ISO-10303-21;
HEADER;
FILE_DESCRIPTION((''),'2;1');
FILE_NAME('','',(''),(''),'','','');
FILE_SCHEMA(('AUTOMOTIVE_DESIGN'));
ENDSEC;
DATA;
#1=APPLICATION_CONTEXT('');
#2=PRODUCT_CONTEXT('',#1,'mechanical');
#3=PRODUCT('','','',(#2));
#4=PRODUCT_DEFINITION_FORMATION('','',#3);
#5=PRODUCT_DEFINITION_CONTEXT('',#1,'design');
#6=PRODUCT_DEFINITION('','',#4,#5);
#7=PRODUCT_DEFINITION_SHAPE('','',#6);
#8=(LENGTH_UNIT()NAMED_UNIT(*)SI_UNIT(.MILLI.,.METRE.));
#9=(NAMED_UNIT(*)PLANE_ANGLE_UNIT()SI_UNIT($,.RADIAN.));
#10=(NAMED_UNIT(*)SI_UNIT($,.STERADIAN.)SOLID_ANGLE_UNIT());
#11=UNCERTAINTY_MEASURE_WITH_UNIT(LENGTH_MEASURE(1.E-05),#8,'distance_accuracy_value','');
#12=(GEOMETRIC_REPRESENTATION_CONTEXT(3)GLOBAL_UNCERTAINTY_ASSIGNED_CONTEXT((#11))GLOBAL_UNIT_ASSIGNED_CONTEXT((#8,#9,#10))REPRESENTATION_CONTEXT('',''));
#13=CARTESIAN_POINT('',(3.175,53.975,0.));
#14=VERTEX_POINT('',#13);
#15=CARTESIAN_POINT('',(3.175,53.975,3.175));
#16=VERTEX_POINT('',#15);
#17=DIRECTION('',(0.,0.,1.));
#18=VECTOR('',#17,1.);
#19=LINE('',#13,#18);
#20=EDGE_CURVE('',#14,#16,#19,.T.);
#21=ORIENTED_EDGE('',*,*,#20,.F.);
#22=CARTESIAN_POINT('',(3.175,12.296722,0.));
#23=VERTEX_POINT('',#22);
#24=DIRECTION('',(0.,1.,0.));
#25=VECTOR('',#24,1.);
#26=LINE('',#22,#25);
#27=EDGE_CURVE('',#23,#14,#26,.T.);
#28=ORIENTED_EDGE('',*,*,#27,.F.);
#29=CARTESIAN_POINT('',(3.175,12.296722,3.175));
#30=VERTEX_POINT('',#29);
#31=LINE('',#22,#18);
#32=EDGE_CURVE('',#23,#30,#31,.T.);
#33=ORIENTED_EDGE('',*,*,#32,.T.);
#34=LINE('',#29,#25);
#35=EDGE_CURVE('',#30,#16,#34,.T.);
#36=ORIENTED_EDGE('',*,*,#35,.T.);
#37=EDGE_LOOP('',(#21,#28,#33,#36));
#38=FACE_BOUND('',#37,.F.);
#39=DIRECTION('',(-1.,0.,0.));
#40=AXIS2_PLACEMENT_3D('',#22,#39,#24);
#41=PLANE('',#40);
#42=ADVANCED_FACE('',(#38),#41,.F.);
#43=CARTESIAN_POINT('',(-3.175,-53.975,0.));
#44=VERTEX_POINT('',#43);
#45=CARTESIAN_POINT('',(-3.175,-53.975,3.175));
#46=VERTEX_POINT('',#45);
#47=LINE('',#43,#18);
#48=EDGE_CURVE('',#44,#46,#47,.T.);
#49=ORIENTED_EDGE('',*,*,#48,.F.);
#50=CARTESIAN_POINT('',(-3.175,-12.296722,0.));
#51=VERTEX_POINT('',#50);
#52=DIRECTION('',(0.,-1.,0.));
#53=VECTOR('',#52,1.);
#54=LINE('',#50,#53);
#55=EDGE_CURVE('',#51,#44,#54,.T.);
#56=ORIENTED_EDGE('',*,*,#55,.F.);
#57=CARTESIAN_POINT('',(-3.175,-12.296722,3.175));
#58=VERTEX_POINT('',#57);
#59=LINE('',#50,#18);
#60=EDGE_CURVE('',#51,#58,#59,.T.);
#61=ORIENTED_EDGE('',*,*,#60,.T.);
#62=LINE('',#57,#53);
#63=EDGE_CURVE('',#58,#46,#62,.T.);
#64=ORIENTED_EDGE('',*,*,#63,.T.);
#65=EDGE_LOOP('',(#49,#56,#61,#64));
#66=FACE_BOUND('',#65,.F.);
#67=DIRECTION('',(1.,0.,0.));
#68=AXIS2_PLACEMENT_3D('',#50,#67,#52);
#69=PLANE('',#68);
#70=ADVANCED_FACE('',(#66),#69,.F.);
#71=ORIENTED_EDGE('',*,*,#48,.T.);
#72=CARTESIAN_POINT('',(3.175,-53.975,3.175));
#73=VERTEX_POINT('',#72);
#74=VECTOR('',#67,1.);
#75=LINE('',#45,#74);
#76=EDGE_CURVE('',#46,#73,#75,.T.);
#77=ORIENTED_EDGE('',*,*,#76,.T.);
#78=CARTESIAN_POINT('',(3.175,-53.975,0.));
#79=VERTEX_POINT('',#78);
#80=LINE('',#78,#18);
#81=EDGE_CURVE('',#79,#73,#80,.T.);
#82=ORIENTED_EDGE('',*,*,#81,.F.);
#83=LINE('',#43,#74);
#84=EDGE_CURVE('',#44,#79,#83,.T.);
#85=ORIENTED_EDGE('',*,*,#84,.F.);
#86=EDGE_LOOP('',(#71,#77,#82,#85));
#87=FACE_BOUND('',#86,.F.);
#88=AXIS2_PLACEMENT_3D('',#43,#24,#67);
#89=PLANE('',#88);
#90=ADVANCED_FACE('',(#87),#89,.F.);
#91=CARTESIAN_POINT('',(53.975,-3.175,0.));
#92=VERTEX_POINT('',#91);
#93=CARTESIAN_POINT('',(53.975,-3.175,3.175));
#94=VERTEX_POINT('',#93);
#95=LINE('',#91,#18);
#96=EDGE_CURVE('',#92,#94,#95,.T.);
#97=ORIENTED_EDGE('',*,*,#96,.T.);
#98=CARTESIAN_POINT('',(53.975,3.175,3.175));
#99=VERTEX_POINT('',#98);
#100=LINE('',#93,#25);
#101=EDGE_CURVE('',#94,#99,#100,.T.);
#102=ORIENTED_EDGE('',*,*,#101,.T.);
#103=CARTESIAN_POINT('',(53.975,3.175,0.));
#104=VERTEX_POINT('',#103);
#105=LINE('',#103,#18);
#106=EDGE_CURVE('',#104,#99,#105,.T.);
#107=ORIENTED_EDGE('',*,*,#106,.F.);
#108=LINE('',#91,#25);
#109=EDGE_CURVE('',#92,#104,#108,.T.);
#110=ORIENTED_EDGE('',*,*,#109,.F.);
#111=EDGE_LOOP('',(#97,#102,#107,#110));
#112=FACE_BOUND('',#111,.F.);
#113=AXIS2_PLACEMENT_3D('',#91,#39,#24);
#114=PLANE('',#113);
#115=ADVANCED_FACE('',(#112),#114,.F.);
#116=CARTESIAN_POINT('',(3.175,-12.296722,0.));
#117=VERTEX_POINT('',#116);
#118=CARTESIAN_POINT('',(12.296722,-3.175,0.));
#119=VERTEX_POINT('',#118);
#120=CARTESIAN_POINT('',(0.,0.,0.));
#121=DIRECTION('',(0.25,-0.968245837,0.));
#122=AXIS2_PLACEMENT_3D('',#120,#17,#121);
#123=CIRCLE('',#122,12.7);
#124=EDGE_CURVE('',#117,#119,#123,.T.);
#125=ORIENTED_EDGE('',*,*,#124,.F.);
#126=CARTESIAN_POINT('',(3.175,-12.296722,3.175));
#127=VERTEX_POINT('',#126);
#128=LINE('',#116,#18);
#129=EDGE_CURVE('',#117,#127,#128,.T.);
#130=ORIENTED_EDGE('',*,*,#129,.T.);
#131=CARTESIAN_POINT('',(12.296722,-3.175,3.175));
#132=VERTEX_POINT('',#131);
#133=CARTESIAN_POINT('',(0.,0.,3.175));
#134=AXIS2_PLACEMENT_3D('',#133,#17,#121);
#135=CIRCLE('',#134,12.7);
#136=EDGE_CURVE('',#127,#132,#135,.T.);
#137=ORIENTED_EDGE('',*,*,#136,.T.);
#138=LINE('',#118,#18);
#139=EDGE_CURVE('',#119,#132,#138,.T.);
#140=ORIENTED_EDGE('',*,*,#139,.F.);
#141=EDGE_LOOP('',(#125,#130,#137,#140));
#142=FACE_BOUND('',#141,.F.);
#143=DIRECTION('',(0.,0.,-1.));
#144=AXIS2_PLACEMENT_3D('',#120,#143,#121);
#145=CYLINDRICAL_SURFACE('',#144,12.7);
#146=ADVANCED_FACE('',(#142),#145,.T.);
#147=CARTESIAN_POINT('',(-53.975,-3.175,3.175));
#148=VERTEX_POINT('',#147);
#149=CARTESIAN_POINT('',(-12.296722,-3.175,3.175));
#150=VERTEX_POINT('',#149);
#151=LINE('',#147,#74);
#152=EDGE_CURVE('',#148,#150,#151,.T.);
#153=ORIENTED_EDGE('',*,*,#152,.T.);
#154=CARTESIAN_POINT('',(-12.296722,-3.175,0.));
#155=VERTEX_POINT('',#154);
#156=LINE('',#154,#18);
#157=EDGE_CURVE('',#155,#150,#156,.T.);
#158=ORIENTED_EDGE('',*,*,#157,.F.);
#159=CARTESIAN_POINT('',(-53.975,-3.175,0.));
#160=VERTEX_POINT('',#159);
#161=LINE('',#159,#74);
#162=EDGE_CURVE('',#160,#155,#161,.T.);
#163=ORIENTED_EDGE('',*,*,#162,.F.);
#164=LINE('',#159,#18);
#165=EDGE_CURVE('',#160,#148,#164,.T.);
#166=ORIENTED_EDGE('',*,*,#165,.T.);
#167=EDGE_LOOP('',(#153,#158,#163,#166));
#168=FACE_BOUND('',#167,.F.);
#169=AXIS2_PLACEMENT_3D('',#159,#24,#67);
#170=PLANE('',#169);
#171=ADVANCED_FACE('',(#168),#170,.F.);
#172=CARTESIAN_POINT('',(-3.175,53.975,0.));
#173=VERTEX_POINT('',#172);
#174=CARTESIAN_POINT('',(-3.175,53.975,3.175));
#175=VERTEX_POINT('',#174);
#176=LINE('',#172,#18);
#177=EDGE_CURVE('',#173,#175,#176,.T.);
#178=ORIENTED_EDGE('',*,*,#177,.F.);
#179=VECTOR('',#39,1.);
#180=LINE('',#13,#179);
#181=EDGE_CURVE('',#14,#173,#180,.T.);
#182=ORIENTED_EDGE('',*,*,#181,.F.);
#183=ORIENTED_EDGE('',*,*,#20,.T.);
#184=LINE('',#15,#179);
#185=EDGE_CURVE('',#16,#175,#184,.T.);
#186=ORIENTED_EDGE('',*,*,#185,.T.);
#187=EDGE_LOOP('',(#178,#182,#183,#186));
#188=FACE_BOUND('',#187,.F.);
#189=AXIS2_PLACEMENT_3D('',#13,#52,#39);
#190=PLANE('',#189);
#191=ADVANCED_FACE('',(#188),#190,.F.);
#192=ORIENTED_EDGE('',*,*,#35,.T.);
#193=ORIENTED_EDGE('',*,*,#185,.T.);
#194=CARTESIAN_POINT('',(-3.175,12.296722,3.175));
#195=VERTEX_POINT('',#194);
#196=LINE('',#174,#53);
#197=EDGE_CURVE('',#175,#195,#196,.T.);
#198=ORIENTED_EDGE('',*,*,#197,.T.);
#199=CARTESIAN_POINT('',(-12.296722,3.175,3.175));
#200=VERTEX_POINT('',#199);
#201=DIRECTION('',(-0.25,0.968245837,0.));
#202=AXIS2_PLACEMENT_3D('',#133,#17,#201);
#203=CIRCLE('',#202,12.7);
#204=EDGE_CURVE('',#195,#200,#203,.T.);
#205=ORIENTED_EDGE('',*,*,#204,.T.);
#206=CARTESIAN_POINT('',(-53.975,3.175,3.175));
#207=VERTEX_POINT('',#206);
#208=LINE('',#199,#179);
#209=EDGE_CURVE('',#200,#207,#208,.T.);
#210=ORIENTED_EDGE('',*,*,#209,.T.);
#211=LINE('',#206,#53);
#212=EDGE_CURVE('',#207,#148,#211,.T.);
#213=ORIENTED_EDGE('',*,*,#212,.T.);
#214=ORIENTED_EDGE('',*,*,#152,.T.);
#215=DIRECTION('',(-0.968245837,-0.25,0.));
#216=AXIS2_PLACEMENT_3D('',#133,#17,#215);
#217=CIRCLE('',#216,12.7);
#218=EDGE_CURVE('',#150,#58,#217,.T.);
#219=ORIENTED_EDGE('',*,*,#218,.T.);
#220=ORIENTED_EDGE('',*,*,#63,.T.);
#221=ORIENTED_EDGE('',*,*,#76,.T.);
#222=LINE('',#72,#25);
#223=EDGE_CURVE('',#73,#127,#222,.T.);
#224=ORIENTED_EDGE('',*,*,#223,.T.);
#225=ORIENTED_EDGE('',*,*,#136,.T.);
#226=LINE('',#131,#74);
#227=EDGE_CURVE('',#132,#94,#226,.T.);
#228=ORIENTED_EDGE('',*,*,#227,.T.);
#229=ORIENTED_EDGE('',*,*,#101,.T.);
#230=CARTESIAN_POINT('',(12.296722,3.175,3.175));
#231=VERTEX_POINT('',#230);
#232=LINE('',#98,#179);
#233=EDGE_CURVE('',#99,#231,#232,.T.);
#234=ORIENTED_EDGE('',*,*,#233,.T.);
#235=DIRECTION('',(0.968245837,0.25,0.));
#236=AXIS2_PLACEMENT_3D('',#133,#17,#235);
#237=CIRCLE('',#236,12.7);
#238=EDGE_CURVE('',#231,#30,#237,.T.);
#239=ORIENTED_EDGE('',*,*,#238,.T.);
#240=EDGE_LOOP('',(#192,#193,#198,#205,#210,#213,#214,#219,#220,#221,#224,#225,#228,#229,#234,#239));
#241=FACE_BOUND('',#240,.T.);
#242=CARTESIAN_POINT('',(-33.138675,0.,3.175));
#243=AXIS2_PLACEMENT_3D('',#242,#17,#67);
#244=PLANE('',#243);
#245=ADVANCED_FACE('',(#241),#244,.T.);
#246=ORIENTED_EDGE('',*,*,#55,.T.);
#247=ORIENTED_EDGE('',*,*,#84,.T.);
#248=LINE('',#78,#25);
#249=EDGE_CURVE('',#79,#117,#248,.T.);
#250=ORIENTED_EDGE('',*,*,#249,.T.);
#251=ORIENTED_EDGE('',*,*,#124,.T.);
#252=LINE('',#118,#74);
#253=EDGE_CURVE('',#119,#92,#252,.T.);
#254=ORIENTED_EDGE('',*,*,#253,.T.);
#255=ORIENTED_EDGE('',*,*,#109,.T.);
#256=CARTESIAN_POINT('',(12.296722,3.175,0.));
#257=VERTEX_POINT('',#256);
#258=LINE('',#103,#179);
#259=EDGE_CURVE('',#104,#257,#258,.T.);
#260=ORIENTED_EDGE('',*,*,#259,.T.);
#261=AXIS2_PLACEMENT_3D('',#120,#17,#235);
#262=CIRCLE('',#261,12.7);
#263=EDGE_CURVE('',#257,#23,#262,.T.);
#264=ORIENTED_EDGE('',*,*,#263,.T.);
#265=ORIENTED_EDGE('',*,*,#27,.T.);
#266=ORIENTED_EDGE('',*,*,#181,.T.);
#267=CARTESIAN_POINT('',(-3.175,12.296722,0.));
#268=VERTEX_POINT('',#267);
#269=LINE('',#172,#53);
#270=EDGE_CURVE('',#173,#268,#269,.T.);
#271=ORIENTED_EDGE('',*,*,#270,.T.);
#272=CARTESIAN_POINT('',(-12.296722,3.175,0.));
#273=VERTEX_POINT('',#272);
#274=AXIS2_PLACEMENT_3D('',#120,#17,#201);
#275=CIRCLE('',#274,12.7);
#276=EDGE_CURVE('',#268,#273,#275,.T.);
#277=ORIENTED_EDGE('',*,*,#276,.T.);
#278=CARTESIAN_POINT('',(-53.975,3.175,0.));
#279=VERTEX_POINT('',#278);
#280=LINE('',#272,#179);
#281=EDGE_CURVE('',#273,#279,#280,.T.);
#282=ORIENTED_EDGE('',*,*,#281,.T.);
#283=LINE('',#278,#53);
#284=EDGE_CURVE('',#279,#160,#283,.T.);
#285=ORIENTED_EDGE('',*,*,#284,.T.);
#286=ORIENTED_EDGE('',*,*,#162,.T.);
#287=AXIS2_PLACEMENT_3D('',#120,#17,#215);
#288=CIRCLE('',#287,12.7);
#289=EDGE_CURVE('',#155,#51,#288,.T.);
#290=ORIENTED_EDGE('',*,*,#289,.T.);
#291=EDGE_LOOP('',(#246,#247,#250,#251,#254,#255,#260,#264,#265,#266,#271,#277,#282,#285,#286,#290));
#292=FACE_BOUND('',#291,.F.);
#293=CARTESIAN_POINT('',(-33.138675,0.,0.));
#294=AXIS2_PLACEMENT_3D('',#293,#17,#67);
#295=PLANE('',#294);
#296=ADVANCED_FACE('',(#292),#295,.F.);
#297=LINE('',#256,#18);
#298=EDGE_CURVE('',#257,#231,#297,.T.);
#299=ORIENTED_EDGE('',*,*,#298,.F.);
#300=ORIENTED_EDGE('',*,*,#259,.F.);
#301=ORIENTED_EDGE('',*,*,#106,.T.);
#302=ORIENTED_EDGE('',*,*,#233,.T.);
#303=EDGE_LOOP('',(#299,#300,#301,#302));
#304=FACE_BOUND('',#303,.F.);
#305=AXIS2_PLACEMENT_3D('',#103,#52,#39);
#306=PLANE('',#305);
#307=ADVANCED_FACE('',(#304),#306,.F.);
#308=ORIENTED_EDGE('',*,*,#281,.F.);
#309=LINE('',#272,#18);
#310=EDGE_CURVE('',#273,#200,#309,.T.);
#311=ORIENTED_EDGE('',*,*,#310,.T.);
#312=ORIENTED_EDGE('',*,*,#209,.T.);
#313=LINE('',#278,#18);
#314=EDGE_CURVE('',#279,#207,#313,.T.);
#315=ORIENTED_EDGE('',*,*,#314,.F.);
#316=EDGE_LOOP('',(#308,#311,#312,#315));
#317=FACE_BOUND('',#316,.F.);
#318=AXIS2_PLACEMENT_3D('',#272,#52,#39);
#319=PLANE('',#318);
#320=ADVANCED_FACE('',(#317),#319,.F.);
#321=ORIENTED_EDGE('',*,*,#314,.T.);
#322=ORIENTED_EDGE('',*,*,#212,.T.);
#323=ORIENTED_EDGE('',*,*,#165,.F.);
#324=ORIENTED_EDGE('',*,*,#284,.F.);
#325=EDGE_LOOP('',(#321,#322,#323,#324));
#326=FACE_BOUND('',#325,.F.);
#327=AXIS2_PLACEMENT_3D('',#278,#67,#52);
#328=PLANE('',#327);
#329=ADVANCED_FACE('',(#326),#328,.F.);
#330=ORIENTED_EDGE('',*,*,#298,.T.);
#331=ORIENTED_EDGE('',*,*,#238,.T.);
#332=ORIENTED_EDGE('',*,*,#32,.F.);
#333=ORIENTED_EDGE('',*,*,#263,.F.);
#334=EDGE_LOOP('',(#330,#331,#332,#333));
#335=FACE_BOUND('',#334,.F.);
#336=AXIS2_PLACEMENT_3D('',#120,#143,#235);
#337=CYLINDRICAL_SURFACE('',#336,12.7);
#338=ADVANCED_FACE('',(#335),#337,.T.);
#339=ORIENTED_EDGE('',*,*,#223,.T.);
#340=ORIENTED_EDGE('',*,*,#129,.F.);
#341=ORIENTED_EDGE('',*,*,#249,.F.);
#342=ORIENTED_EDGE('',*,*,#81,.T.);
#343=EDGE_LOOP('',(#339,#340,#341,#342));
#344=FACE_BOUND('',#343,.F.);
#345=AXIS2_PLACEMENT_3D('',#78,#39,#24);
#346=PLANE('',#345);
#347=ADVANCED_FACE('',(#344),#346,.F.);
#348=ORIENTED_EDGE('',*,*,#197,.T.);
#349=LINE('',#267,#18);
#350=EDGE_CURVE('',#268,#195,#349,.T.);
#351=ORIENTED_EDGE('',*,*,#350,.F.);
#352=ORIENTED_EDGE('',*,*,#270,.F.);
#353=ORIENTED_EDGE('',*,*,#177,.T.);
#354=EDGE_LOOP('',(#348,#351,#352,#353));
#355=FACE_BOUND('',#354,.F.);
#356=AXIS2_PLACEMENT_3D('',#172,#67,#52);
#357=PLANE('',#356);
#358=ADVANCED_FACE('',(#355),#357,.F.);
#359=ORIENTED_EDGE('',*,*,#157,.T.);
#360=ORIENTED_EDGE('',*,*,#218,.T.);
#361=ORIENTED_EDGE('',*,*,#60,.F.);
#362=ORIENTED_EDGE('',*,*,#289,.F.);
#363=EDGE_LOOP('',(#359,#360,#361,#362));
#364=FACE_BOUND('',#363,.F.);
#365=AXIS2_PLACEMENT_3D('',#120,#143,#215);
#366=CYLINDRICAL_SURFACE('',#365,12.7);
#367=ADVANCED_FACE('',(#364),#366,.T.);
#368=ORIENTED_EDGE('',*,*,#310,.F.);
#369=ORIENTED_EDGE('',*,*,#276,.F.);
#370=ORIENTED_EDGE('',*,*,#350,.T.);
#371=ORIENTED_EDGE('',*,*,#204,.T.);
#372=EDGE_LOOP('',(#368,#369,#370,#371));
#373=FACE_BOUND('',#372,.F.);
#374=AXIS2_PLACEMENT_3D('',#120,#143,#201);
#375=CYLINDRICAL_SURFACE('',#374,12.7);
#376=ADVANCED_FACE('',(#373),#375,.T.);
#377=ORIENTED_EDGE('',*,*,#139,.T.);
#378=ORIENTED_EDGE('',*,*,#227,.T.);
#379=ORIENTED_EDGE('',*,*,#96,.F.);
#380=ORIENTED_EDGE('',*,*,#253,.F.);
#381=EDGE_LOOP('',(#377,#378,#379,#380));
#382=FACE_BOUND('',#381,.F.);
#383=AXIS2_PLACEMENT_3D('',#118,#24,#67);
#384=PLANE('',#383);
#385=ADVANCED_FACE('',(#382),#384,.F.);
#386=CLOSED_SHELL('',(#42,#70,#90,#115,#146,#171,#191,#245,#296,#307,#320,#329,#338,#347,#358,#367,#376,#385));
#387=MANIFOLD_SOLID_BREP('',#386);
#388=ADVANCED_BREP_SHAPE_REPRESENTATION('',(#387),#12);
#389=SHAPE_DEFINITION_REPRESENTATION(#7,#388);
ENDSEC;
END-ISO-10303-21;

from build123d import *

# Parameters (mm, degrees)
F0_W     = 6.35
F0_H     = 6.35
F1_DEPTH = 3.175


with BuildPart() as f1:
    # F0 (on Top) → F1 (new body)
    with BuildSketch(Plane.XY):
        with BuildLine():
            Line((-12.2967221242, 3.175), (-53.975, 3.175))
            Line((-53.975, 3.175), (-53.975, -3.175))
            Line((-53.975, -3.175), (-12.2967221242, -3.175))
            ThreePointArc((-12.2967221242, -3.175), (-12.7, 0), (-12.2967221242, 3.175))
        make_face()
        with BuildLine():
            Line((53.975, 3.175), (12.2967221242, 3.175))
            ThreePointArc((12.2967221242, 3.175), (12.5987771426, 1.6002545145), (12.7, 0))
            ThreePointArc((12.7, 0), (12.5987771426, -1.6002545145), (12.2967221242, -3.175))
            Line((12.2967221242, -3.175), (53.975, -3.175))
            Line((53.975, -3.175), (53.975, 3.175))
        make_face()
        with BuildLine():
            ThreePointArc((3.175, -12.2967221242), (0, -12.7), (-3.175, -12.2967221242))
            Line((-3.175, -12.2967221242), (-3.175, -53.975))
            Line((-3.175, -53.975), (3.175, -53.975))
            Line((3.175, -53.975), (3.175, -12.2967221242))
        make_face()
        with BuildLine():
            Line((-3.175, 53.975), (-3.175, 12.2967221242))
            ThreePointArc((-3.175, 12.2967221242), (0, 12.7), (3.175, 12.2967221242))
            Line((3.175, 12.2967221242), (3.175, 53.975))
            Line((3.175, 53.975), (-3.175, 53.975))
        make_face()
        with BuildLine():
            ThreePointArc((-3.175, 12.2967221242), (-8.9802561211, 8.9802561211), (-12.2967221242, 3.175))
            Line((-12.2967221242, 3.175), (-3.175, 3.175))
            Line((-3.175, 3.175), (-3.175, 12.2967221242))
        make_face()
        with BuildLine():
            Line((3.175, 12.2967221242), (3.175, 3.175))
            Line((3.175, 3.175), (12.2967221242, 3.175))
            ThreePointArc((12.2967221242, 3.175), (8.9802561211, 8.9802561211), (3.175, 12.2967221242))
        make_face()
        with BuildLine():
            Line((-3.175, -3.175), (-12.2967221242, -3.175))
            ThreePointArc((-12.2967221242, -3.175), (-8.9802561211, -8.9802561211), (-3.175, -12.2967221242))
            Line((-3.175, -12.2967221242), (-3.175, -3.175))
        make_face()
        with BuildLine():
            Line((12.2967221242, -3.175), (3.175, -3.175))
            Line((3.175, -3.175), (3.175, -12.2967221242))
            ThreePointArc((3.175, -12.2967221242), (8.9802561211, -8.9802561211), (12.2967221242, -3.175))
        make_face()
        with BuildLine():
            Line((-3.175, 3.175), (-12.2967221242, 3.175))
            ThreePointArc((-12.2967221242, 3.175), (-12.7, 0), (-12.2967221242, -3.175))
            Line((-12.2967221242, -3.175), (-3.175, -3.175))
            Line((-3.175, -3.175), (-3.175, 3.175))
        make_face()
        with BuildLine():
            Line((-3.175, 12.2967221242), (-3.175, 3.175))
            Line((-3.175, 3.175), (3.175, 3.175))
            Line((3.175, 3.175), (3.175, 12.2967221242))
            ThreePointArc((3.175, 12.2967221242), (0, 12.7), (-3.175, 12.2967221242))
        make_face()
        with BuildLine():
            Line((12.2967221242, 3.175), (3.175, 3.175))
            Line((3.175, 3.175), (3.175, -3.175))
            Line((3.175, -3.175), (12.2967221242, -3.175))
            ThreePointArc((12.2967221242, -3.175), (12.5987771426, -1.6002545145), (12.7, 0))
            ThreePointArc((12.7, 0), (12.5987771426, 1.6002545145), (12.2967221242, 3.175))
        make_face()
        with BuildLine():
            Line((3.175, -3.175), (-3.175, -3.175))
            Line((-3.175, -3.175), (-3.175, -12.2967221242))
            ThreePointArc((-3.175, -12.2967221242), (0, -12.7), (3.175, -12.2967221242))
            Line((3.175, -12.2967221242), (3.175, -3.175))
        make_face()
        Rectangle(F0_W, F0_H)
    extrude(amount=F1_DEPTH)


solid = f1.part
